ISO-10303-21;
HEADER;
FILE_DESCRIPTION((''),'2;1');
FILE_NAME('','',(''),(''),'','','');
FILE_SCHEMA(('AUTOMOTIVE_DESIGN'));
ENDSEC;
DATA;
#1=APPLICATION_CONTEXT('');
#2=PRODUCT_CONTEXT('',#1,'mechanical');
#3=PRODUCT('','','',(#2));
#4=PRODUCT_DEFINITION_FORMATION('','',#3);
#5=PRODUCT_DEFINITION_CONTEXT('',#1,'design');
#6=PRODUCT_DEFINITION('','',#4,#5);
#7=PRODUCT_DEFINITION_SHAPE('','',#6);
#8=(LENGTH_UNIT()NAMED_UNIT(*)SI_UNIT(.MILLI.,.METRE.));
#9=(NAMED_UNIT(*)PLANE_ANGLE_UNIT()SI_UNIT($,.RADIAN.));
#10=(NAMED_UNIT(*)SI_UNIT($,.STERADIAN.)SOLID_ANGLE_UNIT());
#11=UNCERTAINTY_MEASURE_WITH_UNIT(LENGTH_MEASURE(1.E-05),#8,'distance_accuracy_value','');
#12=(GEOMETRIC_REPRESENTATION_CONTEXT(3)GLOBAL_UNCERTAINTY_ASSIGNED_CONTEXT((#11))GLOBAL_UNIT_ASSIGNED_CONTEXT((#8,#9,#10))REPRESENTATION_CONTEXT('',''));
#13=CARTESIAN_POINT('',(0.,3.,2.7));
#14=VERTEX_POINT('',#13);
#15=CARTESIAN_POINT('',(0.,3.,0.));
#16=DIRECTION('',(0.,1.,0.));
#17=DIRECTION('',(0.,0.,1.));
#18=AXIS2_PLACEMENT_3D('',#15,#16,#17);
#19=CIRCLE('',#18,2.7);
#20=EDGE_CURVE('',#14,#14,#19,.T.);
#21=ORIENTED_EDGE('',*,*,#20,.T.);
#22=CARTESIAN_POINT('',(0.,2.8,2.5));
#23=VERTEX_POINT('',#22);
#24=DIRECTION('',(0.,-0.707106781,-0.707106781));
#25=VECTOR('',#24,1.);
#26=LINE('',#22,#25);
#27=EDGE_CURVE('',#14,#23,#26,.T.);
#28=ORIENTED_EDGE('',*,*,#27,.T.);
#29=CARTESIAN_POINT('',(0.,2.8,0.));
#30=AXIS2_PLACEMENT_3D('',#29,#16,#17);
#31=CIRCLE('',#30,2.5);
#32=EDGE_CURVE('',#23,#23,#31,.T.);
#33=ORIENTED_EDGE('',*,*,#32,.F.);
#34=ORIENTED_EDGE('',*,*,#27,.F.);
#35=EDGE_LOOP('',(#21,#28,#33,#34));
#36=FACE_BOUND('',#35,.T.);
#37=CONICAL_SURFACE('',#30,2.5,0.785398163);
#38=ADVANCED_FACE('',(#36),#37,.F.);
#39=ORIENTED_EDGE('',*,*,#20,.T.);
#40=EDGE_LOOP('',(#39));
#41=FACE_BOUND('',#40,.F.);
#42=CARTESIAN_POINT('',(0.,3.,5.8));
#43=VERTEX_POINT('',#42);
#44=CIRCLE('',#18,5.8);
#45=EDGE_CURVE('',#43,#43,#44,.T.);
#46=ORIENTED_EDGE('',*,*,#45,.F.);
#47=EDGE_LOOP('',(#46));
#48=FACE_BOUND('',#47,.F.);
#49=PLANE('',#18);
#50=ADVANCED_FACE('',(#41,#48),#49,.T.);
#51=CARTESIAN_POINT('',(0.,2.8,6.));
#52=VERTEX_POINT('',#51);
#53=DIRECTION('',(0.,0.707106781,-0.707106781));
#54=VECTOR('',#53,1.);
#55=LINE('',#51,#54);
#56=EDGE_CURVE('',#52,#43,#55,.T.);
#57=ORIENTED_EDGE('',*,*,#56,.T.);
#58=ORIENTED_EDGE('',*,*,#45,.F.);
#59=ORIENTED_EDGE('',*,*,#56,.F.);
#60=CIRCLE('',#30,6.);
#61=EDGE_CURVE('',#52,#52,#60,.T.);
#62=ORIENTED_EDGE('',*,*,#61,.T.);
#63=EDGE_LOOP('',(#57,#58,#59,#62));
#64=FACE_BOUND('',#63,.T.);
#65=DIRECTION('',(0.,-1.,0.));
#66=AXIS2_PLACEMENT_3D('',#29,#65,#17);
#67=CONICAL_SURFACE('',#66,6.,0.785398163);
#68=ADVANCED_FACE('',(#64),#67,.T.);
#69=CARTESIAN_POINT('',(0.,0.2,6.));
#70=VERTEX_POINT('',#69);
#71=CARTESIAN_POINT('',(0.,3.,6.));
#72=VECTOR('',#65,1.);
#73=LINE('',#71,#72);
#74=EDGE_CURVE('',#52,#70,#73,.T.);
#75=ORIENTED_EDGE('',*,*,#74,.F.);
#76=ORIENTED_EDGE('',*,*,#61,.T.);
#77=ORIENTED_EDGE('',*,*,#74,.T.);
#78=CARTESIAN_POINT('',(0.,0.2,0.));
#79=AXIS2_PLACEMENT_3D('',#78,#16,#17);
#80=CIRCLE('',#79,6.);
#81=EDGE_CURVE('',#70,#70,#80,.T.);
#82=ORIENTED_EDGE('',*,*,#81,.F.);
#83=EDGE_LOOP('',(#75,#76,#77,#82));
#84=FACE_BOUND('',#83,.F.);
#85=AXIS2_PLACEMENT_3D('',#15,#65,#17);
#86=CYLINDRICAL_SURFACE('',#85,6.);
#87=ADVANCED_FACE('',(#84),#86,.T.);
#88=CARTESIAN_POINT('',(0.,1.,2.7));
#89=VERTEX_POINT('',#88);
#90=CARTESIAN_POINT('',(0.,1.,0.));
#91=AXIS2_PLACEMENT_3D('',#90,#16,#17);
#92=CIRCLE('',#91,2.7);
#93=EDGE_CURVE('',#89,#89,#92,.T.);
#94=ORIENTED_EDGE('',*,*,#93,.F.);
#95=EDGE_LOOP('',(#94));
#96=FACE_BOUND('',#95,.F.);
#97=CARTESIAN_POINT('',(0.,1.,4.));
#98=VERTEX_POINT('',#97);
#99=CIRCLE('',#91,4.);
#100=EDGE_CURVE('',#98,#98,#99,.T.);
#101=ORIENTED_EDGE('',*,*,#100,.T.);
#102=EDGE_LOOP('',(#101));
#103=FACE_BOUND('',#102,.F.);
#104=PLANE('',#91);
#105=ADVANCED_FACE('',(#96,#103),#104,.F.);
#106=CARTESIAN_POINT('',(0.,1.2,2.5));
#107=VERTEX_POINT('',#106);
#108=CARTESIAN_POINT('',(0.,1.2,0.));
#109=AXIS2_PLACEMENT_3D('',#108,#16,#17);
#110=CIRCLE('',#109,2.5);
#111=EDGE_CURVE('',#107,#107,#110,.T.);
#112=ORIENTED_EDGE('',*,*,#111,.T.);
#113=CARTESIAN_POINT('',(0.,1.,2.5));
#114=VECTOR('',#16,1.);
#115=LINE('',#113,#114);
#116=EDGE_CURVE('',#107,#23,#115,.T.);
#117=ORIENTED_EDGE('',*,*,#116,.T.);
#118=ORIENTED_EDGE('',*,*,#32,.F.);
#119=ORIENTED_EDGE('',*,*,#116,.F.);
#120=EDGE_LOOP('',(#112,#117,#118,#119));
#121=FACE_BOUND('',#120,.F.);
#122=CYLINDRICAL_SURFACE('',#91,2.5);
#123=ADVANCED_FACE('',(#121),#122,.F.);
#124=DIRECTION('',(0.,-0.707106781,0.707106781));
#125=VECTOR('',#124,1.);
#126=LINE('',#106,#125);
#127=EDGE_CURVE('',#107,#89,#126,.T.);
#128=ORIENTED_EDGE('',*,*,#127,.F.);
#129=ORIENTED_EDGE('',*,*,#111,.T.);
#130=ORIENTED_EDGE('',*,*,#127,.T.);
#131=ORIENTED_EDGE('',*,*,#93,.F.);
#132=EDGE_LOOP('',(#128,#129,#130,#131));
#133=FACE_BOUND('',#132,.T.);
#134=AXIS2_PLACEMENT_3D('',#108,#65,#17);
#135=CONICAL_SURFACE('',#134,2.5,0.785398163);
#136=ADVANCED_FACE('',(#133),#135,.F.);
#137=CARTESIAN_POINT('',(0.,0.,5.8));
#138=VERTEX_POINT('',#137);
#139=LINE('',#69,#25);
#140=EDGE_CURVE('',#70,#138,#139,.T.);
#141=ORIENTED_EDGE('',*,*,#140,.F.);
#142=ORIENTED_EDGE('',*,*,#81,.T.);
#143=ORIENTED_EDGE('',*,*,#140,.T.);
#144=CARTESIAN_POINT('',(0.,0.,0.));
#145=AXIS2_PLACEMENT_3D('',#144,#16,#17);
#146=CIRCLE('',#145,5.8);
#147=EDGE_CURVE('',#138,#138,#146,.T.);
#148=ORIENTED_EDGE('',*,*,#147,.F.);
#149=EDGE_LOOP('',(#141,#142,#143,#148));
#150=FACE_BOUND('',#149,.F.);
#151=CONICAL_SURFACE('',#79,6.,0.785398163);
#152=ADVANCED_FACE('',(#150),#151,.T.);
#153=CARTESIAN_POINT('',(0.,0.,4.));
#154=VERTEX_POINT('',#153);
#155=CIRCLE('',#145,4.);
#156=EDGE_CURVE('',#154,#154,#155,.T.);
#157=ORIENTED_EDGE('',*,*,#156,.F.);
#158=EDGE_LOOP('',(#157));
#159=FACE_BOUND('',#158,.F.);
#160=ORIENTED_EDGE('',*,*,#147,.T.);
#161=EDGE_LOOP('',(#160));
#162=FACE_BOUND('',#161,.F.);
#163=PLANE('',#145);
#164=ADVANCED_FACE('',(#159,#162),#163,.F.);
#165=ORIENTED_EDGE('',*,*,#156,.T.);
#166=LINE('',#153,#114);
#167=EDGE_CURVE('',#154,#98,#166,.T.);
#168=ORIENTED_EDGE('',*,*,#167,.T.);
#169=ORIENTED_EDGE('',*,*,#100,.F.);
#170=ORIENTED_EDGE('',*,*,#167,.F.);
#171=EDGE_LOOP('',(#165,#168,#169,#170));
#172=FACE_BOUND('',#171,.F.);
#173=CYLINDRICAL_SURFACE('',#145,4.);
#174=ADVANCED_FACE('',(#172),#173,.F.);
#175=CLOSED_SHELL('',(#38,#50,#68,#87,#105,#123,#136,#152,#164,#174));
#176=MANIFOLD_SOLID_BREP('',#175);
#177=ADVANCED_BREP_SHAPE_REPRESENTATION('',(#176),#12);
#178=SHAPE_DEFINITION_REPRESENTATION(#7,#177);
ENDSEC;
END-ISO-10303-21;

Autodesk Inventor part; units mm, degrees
ref_plane "YZ Plane" through (0, 0, 0) normal (1, 0, 0) x (0, 1, 0)
ref_plane "XZ Plane" through (0, 0, 0) normal (0, 1, 0) x (-1, 0, 0)
ref_plane "XY Plane" through (0, 0, 0) normal (0, 0, 1) x (1, 0, 0)
sketch "Skizze3" plane through (0, 0, 0) normal (1, 0, 0) x (0, 1, 0)
  line L0 (0, 0) -> (6.2939, 0)
  line L1 (0, 6) -> (0, 4)
  line L2 (0, 4) -> (1, 4)
  line L3 (1, 4) -> (1, 2.5)
  line L4 (1, 2.5) -> (3, 2.5)
  line L5 (3, 2.5) -> (3, 6)
  line L6 (3, 6) -> (0, 6)
  dimension "d4" = 12
  dimension "d5" = 5
  dimension "d6" = 3
  dimension "d7" = 1
  dimension "d9" = 8
revolve "Umdrehung1" add sketch "Skizze3" angle 360 about axis through (0, 0, 0) along (0, 1, 0)
chamfer "Fase1" distance 0.2 angle 45 4 edges at (0, 3, -6) (0, 0, -6) (0, 3, -2.5) (0, 1, -2.5)
properties part number "BT013_huenin20_23" material "Gummi"
